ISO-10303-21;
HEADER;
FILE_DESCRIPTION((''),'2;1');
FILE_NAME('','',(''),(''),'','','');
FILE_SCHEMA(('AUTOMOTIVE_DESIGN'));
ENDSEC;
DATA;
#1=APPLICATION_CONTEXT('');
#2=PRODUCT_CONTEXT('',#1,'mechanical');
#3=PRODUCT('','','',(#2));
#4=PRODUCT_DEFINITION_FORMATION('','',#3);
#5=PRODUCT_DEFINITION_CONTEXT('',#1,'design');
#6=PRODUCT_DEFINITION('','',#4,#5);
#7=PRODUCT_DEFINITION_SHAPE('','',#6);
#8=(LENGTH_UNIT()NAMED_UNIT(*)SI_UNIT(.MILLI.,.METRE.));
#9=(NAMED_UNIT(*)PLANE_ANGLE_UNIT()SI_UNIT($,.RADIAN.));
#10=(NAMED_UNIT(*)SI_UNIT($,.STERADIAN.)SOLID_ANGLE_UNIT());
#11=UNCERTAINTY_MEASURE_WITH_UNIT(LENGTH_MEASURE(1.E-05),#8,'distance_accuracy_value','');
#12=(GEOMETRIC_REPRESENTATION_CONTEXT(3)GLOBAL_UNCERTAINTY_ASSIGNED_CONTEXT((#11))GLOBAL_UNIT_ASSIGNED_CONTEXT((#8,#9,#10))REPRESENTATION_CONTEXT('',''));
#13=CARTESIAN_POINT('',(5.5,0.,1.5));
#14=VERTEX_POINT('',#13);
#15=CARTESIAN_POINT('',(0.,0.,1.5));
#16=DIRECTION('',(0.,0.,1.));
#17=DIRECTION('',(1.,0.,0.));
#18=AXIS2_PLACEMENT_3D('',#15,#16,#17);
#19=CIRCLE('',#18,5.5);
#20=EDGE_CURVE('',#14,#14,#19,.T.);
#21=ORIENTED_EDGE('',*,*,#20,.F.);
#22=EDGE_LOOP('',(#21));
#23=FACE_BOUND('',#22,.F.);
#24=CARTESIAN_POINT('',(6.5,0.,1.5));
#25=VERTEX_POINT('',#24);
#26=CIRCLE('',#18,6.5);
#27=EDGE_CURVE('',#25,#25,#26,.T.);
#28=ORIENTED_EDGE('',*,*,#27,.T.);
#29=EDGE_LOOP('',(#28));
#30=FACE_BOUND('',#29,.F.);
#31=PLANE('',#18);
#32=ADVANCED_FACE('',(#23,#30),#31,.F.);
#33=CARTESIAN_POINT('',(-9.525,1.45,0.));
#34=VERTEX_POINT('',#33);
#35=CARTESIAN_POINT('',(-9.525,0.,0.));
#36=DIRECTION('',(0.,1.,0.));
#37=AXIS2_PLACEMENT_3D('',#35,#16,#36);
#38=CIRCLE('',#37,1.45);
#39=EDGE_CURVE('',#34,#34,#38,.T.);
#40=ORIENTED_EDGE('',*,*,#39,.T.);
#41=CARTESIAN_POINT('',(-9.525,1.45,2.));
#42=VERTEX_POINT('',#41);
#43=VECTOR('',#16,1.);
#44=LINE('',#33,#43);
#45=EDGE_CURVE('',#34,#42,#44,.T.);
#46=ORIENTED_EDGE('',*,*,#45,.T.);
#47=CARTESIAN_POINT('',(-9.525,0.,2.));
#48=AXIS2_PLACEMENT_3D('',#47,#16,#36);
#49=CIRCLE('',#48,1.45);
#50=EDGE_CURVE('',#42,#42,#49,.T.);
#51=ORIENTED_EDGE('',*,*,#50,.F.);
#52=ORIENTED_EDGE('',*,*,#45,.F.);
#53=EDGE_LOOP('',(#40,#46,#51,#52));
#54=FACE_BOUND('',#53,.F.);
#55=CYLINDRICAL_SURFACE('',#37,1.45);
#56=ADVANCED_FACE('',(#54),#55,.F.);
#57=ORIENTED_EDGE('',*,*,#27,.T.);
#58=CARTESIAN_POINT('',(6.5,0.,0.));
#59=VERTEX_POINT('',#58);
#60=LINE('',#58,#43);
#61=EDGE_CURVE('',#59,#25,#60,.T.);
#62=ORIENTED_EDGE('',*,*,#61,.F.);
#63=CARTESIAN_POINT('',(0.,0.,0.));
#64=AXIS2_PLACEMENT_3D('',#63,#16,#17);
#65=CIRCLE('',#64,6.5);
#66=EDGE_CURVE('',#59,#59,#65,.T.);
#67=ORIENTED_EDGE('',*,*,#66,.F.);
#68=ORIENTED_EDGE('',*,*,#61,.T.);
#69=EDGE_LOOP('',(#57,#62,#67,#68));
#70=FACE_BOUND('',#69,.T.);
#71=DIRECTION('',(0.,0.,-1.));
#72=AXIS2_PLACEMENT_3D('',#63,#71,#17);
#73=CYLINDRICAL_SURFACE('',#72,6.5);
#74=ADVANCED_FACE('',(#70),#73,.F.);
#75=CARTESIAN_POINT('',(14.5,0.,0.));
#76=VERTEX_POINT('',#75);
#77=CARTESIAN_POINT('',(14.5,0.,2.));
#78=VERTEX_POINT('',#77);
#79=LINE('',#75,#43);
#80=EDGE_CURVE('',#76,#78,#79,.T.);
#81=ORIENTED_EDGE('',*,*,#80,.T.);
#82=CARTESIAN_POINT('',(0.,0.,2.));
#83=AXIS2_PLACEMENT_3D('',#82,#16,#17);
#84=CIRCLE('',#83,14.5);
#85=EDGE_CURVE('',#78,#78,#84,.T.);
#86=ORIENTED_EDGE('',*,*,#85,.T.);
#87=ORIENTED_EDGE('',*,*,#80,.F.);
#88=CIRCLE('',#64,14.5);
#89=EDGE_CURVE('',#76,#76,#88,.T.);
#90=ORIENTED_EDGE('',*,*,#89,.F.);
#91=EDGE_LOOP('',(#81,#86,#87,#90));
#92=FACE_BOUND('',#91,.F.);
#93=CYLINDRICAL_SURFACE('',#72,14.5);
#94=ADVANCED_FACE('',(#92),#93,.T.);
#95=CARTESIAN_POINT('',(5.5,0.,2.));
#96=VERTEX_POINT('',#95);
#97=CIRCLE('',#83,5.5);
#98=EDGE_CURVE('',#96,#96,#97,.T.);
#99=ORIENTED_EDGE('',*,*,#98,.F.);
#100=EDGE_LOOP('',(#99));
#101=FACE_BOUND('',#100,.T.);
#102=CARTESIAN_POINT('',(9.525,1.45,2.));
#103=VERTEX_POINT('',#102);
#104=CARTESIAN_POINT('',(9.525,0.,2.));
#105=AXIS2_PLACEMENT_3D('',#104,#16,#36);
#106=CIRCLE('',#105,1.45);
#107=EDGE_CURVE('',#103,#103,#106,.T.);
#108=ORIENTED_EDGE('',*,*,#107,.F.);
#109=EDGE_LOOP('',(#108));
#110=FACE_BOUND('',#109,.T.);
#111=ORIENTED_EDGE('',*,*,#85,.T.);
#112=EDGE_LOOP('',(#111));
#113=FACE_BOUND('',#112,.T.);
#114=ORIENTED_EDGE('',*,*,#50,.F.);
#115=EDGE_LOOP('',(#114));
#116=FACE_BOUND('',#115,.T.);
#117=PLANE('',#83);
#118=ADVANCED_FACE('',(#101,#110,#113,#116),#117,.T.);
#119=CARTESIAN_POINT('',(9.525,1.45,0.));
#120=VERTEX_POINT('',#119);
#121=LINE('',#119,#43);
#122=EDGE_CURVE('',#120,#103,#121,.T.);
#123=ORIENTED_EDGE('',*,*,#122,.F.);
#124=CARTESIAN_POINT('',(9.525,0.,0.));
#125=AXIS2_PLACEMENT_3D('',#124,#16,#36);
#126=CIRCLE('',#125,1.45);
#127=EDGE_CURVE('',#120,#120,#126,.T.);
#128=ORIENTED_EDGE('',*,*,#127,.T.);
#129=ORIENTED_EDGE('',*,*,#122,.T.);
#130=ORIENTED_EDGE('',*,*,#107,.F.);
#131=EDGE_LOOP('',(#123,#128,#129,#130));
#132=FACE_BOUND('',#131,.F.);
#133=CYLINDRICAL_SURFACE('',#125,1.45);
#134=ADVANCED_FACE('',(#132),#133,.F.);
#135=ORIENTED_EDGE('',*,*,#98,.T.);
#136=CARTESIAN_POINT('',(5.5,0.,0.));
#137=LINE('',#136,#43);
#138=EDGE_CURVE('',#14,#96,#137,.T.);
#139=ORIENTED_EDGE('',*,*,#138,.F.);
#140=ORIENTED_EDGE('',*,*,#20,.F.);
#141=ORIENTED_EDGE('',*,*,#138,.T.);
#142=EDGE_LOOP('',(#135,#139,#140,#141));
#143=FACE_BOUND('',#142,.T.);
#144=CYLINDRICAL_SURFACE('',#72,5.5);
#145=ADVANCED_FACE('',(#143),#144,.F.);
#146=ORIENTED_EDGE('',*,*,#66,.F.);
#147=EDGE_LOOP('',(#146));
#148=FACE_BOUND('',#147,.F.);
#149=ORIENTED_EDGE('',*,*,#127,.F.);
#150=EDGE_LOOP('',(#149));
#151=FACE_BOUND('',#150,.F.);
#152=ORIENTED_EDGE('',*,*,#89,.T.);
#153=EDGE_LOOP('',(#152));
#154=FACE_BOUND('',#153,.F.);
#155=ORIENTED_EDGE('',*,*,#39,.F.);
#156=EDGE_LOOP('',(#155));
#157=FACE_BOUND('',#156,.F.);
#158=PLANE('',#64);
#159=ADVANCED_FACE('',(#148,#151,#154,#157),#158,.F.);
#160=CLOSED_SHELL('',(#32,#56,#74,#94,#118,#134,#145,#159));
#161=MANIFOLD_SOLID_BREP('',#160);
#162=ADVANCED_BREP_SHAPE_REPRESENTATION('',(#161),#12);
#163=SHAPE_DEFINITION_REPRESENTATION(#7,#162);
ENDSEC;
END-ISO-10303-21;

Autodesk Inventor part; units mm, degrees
ref_plane "YZ Plane" through (0, 0, 0) normal (1, 0, 0) x (0, 1, 0)
ref_plane "XZ Plane" through (0, 0, 0) normal (0, 1, 0) x (-1, 0, 0)
ref_plane "XY Plane" through (0, 0, 0) normal (0, 0, 1) x (1, 0, 0)
sketch "Skizze1" plane through (0, 0, 0) normal (0, 0, 1) x (1, 0, 0)
  circle A0 centre (0, 0) radius 14.5
  circle A1 centre (0, 0) radius 9.525 construction
  circle A2 centre (0, 0) radius 5.5
  circle A3 centre (0, 0) radius 6.5
  line L0 (-9.525, 0) -> (9.525, 0) construction
  circle A4 centre (0, 0) radius 10.45 construction
  line L1 (0, 0) -> (0, 10.45) construction
  point P0 (-9.05, -5.225)
  point P1 (9.05, -5.225)
  dimension "d15" = 20.9
  dimension "d0" = 29
  dimension "d1" = 19.05
  dimension "d2" = 11
  dimension "d3" = 13
  dimension "d18" = 360
extrude "Extrusion1" add sketch "Skizze1" along normal blind 2 contours A0 | A3
extrude "Extrusion2" cut sketch "Skizze1" along normal blind 1.5 contours A3
hole "Bohrung1" at (-9.525, 0, 0) at (9.525, 0, 0) direction (0, 0, 1) diameter 2.9 end through all clearance for "Inbusschraube DIN EN ISO 4762" size "M2.5" standard "DIN"
properties part number "Sensor_AbstandFlansch"
